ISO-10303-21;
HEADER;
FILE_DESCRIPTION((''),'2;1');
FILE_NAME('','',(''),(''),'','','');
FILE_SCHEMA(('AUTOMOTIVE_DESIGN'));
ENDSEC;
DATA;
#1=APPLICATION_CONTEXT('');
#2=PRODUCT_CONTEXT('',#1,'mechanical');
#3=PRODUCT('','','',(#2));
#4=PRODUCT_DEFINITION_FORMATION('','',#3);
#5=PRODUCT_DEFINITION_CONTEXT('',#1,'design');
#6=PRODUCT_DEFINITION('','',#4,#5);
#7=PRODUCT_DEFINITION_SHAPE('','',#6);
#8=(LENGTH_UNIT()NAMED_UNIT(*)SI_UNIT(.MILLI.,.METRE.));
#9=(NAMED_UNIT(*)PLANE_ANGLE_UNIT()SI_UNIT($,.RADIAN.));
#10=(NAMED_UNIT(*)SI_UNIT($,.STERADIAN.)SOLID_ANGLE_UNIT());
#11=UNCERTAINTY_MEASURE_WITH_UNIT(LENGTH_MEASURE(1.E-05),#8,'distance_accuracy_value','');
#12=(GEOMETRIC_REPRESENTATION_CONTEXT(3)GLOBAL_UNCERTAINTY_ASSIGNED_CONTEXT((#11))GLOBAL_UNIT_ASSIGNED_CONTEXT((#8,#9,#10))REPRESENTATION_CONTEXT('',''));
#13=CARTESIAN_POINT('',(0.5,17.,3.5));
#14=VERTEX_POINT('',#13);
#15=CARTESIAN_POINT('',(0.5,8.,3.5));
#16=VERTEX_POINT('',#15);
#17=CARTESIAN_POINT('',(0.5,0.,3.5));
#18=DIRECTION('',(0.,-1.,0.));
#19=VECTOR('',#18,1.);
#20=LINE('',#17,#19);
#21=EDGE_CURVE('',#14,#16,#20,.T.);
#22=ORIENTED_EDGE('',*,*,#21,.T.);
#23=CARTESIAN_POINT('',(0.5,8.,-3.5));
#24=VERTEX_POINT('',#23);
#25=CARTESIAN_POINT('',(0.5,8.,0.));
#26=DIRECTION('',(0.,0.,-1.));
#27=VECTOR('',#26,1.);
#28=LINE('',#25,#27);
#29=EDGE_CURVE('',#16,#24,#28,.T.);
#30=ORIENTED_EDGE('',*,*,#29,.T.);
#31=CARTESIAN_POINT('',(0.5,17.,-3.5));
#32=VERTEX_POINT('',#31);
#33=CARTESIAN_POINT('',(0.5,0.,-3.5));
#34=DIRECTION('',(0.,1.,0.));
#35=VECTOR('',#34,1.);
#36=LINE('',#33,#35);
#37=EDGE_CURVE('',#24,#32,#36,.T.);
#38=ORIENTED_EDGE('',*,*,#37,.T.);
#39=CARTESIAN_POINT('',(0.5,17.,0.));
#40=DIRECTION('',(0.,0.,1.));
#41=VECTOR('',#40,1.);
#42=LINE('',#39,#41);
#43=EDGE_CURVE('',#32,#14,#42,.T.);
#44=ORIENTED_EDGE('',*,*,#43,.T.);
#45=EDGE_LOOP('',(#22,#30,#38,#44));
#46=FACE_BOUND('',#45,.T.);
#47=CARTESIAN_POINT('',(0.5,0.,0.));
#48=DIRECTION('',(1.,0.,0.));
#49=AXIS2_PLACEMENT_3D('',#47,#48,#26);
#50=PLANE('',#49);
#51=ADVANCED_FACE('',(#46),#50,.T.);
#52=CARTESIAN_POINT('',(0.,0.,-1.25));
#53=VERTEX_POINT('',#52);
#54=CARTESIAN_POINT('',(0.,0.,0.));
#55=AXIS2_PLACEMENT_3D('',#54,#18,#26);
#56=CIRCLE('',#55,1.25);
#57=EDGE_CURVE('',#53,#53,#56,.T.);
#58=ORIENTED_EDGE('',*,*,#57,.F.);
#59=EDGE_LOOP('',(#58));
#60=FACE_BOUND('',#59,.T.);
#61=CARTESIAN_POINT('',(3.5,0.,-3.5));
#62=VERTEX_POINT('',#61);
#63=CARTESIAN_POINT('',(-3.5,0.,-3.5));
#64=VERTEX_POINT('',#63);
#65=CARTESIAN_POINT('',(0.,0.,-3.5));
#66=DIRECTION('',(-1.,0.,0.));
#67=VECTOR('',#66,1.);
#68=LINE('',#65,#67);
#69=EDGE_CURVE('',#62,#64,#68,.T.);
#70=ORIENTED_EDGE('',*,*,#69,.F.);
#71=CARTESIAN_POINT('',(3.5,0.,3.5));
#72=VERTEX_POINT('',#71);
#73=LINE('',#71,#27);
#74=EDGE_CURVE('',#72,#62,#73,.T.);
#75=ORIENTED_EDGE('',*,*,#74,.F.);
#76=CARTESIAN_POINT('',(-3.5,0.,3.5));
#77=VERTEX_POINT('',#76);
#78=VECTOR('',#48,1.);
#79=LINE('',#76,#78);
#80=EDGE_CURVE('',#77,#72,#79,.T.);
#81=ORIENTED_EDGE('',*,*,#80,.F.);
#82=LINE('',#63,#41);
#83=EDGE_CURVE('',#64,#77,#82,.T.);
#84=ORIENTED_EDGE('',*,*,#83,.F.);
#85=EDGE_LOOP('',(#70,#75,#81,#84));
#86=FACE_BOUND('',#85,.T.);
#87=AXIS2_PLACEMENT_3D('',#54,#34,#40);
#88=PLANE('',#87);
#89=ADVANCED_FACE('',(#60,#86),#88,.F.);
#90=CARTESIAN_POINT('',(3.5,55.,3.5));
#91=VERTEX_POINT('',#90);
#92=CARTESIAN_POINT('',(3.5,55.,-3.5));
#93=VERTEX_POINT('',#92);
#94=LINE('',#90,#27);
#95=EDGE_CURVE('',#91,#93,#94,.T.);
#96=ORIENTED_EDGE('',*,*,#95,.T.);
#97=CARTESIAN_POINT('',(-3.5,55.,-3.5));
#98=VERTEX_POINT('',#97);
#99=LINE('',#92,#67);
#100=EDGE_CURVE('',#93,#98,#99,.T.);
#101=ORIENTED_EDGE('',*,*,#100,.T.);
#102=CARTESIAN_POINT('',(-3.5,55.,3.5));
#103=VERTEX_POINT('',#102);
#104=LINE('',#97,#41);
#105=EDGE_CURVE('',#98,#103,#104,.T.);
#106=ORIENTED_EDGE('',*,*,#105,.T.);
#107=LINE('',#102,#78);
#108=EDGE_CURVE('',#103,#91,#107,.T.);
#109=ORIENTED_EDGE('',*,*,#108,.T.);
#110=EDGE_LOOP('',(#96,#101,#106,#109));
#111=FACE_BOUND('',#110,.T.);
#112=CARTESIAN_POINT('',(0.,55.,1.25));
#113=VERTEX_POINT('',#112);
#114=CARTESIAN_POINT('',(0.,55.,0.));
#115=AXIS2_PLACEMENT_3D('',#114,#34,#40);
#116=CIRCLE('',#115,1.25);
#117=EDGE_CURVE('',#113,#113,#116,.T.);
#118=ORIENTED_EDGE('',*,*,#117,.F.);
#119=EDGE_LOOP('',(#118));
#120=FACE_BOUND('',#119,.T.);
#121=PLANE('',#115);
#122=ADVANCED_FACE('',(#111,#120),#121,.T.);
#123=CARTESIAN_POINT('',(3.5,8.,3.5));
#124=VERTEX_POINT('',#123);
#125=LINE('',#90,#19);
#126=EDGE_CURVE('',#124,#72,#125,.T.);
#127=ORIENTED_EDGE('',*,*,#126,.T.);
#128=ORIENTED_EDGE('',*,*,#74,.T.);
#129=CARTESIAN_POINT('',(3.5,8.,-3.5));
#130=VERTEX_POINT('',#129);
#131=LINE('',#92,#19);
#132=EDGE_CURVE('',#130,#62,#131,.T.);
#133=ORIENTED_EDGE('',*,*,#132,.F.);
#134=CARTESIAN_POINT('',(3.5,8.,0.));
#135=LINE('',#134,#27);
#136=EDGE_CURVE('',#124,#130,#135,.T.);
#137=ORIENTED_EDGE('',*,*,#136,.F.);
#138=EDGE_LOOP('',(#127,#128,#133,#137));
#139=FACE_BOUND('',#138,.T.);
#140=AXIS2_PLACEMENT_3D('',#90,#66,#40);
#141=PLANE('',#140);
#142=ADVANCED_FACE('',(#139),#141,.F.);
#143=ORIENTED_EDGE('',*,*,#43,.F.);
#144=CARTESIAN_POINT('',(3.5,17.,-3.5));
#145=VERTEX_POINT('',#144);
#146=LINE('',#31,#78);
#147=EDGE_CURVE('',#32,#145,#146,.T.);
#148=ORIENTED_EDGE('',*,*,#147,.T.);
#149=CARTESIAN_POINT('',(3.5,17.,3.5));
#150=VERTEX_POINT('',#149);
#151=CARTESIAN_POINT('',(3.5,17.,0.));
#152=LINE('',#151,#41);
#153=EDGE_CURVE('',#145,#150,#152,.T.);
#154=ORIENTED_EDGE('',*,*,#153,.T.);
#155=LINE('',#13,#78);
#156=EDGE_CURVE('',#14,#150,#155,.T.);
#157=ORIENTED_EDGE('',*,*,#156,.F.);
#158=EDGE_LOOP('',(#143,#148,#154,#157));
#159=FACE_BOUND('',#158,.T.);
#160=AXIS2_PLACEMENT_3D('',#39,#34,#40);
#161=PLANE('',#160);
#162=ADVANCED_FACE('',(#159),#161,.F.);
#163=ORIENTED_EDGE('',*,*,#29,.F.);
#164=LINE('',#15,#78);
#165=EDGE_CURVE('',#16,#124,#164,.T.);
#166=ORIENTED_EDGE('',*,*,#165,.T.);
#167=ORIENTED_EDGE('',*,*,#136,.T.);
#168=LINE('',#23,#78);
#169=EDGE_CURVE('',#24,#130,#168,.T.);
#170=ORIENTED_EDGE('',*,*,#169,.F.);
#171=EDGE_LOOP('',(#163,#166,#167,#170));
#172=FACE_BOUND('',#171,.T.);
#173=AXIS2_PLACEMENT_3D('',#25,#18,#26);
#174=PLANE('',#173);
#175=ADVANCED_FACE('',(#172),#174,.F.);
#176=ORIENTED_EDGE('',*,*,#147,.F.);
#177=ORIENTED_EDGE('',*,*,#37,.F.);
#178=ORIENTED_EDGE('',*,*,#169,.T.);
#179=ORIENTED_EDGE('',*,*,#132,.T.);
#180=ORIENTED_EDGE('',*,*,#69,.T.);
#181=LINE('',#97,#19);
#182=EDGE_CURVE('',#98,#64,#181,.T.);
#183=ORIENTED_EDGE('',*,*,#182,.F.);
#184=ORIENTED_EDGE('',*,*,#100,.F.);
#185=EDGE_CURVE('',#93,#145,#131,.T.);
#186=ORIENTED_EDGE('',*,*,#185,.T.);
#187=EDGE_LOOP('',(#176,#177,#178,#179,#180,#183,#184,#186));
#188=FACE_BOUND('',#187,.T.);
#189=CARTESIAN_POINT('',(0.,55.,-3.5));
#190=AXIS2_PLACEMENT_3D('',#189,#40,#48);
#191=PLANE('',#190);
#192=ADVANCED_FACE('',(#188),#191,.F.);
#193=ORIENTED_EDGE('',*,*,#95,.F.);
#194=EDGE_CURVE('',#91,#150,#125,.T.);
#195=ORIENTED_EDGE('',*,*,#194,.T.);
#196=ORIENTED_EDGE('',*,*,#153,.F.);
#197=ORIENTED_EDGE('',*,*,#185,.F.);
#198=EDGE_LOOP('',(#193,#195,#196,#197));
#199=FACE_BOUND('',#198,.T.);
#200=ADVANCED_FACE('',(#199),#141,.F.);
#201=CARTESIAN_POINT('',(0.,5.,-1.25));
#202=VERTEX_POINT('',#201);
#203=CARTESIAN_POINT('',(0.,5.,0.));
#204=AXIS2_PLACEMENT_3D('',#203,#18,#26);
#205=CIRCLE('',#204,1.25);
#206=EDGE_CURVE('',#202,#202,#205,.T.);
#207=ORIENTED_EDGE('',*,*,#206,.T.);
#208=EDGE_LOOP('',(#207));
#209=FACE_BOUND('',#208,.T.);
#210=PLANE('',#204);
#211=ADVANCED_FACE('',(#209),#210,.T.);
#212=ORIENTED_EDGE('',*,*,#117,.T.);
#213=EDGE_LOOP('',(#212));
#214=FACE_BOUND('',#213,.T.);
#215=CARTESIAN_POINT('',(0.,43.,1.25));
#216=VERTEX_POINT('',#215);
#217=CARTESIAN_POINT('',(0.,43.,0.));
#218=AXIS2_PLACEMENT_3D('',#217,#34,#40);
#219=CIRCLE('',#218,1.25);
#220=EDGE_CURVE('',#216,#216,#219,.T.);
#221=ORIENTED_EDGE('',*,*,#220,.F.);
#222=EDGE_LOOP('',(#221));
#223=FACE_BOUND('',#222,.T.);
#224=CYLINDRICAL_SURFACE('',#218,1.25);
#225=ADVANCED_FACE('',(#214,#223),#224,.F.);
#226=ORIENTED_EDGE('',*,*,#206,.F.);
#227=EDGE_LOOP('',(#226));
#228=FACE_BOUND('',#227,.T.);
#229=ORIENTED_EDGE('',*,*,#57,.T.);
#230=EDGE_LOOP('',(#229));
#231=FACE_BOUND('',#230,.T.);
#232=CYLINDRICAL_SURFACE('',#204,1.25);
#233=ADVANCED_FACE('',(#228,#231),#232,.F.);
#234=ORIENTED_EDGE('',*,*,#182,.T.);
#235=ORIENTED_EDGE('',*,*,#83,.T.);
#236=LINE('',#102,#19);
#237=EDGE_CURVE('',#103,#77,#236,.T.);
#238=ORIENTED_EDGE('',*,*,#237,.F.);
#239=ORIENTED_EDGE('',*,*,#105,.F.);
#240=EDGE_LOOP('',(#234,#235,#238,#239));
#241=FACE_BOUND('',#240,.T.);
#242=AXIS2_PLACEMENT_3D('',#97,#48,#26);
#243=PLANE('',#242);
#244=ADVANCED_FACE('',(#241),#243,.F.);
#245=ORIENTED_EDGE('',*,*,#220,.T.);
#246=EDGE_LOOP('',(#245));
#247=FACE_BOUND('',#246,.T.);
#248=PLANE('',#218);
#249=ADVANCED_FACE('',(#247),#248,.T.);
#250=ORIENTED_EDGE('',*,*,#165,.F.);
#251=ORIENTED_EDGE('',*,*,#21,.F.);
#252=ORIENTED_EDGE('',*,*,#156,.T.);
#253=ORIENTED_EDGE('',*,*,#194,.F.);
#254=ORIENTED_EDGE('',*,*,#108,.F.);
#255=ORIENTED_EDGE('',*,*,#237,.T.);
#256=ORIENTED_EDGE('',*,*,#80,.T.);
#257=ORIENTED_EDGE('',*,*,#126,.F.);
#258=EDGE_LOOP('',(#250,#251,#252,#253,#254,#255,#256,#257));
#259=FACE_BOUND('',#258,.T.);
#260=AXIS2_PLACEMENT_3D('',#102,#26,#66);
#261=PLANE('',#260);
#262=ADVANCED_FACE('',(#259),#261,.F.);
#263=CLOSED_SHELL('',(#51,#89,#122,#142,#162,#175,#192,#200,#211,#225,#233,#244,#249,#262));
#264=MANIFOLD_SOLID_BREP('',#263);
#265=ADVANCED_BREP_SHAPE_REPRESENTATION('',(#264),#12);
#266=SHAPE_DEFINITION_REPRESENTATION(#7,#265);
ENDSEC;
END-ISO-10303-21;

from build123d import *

# Parameters (mm, degrees)
BOSS_EXTRUDE1_DEPTH = 55
SKETCH2_R           = 1.25
CUT_EXTRUDE1_DEPTH  = 12
SKETCH4_W           = 7
SKETCH4_H           = 9
CUT_EXTRUDE3_DEPTH  = 3
CUT_EXTRUDE4_START  = -5
SKETCH3_R           = 1.25
CUT_EXTRUDE4_DEPTH  = 5


with BuildPart() as part:
    # Sketch1 → Boss-Extrude1 (new body)
    with BuildSketch(Plane(origin=(0, 0, 0), x_dir=(1, 0, 0), z_dir=(0, 1, 0))):
        Polygon((0, 3.5), (-3.5, 3.5), (-3.5, -3.5), (3.5, -3.5), (3.5, 3.5), align=None)
    extrude(amount=BOSS_EXTRUDE1_DEPTH)

    # Sketch2 → Cut-Extrude1 (cut)
    with BuildSketch(Plane(origin=(0, 55, 0), x_dir=(1, 0, 0), z_dir=(0, 1, 0))):
        with Locations(Location((0, 0, 0), (0, 0, 270))):
            Circle(SKETCH2_R)
    extrude(amount=-CUT_EXTRUDE1_DEPTH, mode=Mode.SUBTRACT)

    # Sketch4 → Cut-Extrude3 (cut)
    with BuildSketch(Plane(origin=(3.5, 0, 0), x_dir=(0, 0, -1), z_dir=(1, 0, 0))):
        with Locations((0, 12.5)):
            Rectangle(SKETCH4_W, SKETCH4_H)
    extrude(amount=-CUT_EXTRUDE3_DEPTH, mode=Mode.SUBTRACT)

    # Sketch3 → Cut-Extrude4 (cut)
    with BuildSketch(Plane.XZ.offset(CUT_EXTRUDE4_START)):
        with Locations(Location((0, 0, 0), (0, 0, 90))):
            Circle(SKETCH3_R)
    extrude(amount=CUT_EXTRUDE4_DEPTH, mode=Mode.SUBTRACT)


solid = part.part
